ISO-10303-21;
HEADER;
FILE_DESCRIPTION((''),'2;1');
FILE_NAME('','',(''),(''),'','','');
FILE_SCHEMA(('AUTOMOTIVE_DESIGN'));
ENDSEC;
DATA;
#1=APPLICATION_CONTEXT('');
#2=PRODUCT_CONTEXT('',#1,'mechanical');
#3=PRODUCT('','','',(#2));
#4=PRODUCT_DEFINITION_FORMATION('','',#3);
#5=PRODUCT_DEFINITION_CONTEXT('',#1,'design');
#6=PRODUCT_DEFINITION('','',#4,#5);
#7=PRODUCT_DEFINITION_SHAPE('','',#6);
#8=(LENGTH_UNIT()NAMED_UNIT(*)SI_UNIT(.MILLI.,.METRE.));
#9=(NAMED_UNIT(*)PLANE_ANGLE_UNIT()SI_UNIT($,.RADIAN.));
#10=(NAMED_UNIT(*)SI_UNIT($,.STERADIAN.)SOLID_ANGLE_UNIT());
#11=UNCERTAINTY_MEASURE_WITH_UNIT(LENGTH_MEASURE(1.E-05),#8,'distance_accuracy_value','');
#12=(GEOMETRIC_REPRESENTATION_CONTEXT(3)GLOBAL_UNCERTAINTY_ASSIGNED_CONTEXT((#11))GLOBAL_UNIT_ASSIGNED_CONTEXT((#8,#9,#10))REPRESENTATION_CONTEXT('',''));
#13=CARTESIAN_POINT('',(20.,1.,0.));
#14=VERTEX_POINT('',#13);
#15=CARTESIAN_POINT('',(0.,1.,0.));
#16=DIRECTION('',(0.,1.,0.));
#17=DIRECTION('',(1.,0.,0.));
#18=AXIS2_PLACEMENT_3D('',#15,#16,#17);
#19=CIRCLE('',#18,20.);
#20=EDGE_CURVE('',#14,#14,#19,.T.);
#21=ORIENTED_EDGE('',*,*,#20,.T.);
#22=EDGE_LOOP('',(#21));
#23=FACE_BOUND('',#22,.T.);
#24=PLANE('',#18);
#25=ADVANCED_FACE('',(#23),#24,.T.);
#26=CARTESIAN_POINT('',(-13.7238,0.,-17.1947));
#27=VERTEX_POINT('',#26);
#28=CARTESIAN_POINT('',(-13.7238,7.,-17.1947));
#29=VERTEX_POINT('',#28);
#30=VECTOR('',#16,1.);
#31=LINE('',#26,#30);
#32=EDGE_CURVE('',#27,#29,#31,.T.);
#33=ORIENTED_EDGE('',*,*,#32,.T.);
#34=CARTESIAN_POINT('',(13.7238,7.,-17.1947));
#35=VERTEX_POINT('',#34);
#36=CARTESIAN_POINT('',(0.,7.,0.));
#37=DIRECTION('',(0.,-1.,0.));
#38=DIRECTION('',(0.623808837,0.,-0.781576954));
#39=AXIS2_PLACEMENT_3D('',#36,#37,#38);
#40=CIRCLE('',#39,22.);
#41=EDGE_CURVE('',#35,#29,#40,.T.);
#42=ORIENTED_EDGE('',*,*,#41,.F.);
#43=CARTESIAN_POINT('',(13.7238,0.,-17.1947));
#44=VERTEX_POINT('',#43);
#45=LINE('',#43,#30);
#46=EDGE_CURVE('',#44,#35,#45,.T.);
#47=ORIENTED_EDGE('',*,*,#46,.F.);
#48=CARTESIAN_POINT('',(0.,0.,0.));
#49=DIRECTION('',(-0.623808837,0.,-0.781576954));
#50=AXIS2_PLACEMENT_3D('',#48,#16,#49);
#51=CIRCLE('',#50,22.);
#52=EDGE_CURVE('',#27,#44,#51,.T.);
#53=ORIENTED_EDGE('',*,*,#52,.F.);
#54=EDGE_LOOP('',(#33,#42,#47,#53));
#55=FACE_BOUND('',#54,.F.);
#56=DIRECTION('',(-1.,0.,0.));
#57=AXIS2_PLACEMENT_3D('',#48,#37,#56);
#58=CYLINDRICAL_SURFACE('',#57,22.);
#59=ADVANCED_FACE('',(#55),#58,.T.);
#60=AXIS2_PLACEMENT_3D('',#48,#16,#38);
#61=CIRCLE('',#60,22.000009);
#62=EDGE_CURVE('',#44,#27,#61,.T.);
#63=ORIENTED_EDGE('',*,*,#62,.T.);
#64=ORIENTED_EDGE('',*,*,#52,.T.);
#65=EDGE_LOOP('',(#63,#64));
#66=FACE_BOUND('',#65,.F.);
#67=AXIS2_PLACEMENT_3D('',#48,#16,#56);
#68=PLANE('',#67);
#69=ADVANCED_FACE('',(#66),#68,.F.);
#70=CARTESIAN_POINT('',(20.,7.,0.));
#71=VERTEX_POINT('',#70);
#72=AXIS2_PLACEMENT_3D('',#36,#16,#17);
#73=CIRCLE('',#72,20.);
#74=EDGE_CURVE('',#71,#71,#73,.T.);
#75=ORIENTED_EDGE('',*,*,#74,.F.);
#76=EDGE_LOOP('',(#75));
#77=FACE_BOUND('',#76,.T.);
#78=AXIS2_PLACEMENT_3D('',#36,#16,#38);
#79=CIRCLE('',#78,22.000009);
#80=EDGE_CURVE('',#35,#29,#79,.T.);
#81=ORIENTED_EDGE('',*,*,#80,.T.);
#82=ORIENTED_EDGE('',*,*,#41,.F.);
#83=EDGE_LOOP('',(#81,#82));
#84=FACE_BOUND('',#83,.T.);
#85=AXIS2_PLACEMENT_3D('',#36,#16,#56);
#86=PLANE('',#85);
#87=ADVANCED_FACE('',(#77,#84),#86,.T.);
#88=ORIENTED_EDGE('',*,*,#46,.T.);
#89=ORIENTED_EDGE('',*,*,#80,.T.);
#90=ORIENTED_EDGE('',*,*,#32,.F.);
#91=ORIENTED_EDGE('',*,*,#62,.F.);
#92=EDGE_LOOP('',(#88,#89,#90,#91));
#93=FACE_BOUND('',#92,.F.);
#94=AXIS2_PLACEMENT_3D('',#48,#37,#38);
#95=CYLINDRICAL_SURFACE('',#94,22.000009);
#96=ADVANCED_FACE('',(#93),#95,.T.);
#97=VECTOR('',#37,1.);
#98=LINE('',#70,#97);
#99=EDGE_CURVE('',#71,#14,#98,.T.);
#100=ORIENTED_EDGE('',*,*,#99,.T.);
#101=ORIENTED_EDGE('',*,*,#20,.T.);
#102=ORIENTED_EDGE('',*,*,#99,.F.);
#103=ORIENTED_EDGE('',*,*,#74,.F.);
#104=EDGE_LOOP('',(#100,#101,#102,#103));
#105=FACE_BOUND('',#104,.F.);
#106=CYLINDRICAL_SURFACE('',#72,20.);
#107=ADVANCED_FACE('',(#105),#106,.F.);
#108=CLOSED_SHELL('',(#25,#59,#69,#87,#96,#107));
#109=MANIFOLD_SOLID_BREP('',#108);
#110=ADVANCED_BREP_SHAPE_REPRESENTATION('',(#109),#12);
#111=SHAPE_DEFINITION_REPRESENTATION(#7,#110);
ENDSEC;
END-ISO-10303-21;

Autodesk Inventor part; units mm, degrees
ref_plane "YZ Plane" through (0, 0, 0) normal (1, 0, 0) x (0, 1, 0)
ref_plane "XZ Plane" through (0, 0, 0) normal (0, 1, 0) x (-1, 0, 0)
ref_plane "XY Plane" through (0, 0, 0) normal (0, 0, 1) x (1, 0, 0)
sketch "Sketch1" plane through (0, 0, 0) normal (0, 1, 0) x (-1, 0, 0)
  circle A0 centre (0, 0) radius 22
  arc A1 (-13.7238, -17.1947) -> (13.7238, -17.1947) centre (0, 0) ccw
  dimension "d0" = 44
  dimension "d11" = 13.7238
extrude "Main Base" add sketch "Sketch1" along normal blind 7
sketch "Sketch5" plane through (0, 7, 0) normal (0, 1, 0) x (1, 0, 0)
  circle A0 centre (0, 0) radius 20
  dimension "d8" = 40
extrude "Hole" cut sketch "Sketch5" against normal blind 6
sketch "Sketch16" plane through (0, 1, 0) normal (0, 1, 0) x (1, 0, 0)
  circle A0 centre (0, 0) radius 22 projected
  line L0 (9.0259, 20.0632) -> (9.0259, 23.7188)
  line L1 (-8.9741, 20.0864) -> (-8.9741, 23.7188)
  arc A1 (22, 0) -> (9.0259, 23.7188) centre (-6.9981, -0.4541) ccw
  arc A2 (8.9741, -23.7188) -> (22, 0) centre (-4.3501, -0.9652) ccw
  arc A3 (-22, 0) -> (-9.0259, -20.0632) centre (0, 0) ccw
  arc A4 (8.9741, -20.0864) -> (22, 0) centre (0, 0) ccw
  line L2 (-9.0259, -20.0632) -> (-9.0259, -23.7188)
  line L3 (8.9741, -20.0864) -> (8.9741, -23.7188)
  arc A5 (-22, 0) -> (-9.0259, -23.7188) centre (6.9981, 0.4541) ccw
  arc A6 (-8.9741, 23.7188) -> (-22, 0) centre (4.3501, 0.9652) ccw
  arc A7 (-22, 0) -> (-9.0259, -20.0632) centre (0, 0) ccw
  arc A8 (8.9741, -20.0864) -> (22, 0) centre (0, 0) ccw
  arc A9 (-8.9741, 20.0864) -> (-22, 0) centre (0, 0) ccw
  arc A10 (22, 0) -> (9.0259, 20.0632) centre (0, 0) ccw
  arc A11 (8.9741, -20.0864) -> (22, 0) centre (0, 0) ccw
  arc A12 (-22, 0) -> (-9.0259, -20.0632) centre (0, 0) ccw
  dimension "d44" = 18
  dimension "d45" = 18
properties part number "watchBodyOne"
